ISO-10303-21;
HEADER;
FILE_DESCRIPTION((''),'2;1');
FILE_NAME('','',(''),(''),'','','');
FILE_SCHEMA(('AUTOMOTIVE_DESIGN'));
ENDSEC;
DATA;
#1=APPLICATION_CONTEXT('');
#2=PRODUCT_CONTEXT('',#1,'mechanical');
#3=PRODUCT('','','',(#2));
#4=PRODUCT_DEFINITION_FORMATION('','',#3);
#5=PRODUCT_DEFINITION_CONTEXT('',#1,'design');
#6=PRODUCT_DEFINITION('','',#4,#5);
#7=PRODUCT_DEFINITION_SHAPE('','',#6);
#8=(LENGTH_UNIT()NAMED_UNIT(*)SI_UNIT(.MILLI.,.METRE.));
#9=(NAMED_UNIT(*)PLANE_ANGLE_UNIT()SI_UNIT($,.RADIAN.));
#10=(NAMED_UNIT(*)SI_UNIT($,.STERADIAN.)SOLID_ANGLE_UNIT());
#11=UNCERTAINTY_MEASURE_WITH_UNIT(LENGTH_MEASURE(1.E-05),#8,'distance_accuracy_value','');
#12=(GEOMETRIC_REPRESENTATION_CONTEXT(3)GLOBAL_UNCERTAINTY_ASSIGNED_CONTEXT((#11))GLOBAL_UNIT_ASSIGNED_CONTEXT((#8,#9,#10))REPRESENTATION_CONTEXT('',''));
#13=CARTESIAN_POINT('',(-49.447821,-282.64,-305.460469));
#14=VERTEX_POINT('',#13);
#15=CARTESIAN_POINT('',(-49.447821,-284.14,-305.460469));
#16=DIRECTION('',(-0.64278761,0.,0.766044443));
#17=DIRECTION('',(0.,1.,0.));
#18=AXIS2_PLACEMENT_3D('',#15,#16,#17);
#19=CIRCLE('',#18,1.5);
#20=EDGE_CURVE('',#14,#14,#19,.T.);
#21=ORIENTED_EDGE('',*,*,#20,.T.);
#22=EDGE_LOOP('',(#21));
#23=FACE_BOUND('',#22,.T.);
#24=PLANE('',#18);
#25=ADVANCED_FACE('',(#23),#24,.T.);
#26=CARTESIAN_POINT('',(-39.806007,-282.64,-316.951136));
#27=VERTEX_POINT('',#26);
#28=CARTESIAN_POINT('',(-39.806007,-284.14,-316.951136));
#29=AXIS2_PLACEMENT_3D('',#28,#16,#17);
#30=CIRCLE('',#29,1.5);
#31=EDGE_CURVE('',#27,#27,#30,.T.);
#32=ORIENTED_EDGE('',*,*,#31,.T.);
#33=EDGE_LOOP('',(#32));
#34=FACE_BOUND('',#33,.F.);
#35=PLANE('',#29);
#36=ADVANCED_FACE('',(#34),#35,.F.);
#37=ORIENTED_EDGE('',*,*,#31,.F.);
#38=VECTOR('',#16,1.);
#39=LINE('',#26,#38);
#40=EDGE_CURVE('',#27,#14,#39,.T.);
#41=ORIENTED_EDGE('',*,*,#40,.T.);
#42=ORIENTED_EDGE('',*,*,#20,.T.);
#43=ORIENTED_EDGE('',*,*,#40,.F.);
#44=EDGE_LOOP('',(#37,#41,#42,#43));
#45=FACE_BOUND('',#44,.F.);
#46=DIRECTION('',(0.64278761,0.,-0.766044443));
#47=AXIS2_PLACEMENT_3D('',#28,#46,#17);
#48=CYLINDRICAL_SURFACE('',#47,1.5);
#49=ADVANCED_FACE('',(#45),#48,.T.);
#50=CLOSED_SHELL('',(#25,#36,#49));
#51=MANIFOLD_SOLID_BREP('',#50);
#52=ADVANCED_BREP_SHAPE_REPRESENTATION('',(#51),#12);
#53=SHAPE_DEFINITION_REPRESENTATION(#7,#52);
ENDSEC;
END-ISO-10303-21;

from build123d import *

# Parameters (mm, degrees)
CYLINDER154_R                     = 1.5
CYLINDER154_DEPTH                 = 15
CYLINDER154_PLACEMENT_ANGLE       = 40
PART_MIRRORING002_PLACEMENT_ANGLE = 90


with BuildPart() as cylinder154:
    # Cylinder154 → Cylinder154 (new body)
    with BuildSketch(Plane.XY):
        Circle(CYLINDER154_R)
    extrude(amount=CYLINDER154_DEPTH)


with BuildPart() as cylinder154_1:
    # Cylinder154 placement: moved
    add(cylinder154.part.moved(Location((0, -251.493993, -317.931136))).rotate(Axis((0, -251.493993, -317.931136), (-1, 0, 0)), CYLINDER154_PLACEMENT_ANGLE))


with BuildPart() as part_mirroring002:
    # Part__Mirroring002: instance of Cylinder154
    add(cylinder154_1.part.mirror(Plane(origin=(0, 0, 0), x_dir=(1, 0, 0), z_dir=(0, 1, 0))))


with BuildPart() as part_mirroring002_1:
    # Part__Mirroring002 placement: moved
    add(part_mirroring002.part.moved(Location((291.3, -284.14, 0.98))).rotate(Axis((291.3, -284.14, 0.98), (0, 0, 1)), PART_MIRRORING002_PLACEMENT_ANGLE))


with BuildPart() as part_mirroring003:
    # Part__Mirroring003: instance of Part__Mirroring002
    add(part_mirroring002_1.part.mirror(Plane(origin=(0, 0, 0), x_dir=(0, -1, 0), z_dir=(1, 0, 0))))


solid = part_mirroring003.part
